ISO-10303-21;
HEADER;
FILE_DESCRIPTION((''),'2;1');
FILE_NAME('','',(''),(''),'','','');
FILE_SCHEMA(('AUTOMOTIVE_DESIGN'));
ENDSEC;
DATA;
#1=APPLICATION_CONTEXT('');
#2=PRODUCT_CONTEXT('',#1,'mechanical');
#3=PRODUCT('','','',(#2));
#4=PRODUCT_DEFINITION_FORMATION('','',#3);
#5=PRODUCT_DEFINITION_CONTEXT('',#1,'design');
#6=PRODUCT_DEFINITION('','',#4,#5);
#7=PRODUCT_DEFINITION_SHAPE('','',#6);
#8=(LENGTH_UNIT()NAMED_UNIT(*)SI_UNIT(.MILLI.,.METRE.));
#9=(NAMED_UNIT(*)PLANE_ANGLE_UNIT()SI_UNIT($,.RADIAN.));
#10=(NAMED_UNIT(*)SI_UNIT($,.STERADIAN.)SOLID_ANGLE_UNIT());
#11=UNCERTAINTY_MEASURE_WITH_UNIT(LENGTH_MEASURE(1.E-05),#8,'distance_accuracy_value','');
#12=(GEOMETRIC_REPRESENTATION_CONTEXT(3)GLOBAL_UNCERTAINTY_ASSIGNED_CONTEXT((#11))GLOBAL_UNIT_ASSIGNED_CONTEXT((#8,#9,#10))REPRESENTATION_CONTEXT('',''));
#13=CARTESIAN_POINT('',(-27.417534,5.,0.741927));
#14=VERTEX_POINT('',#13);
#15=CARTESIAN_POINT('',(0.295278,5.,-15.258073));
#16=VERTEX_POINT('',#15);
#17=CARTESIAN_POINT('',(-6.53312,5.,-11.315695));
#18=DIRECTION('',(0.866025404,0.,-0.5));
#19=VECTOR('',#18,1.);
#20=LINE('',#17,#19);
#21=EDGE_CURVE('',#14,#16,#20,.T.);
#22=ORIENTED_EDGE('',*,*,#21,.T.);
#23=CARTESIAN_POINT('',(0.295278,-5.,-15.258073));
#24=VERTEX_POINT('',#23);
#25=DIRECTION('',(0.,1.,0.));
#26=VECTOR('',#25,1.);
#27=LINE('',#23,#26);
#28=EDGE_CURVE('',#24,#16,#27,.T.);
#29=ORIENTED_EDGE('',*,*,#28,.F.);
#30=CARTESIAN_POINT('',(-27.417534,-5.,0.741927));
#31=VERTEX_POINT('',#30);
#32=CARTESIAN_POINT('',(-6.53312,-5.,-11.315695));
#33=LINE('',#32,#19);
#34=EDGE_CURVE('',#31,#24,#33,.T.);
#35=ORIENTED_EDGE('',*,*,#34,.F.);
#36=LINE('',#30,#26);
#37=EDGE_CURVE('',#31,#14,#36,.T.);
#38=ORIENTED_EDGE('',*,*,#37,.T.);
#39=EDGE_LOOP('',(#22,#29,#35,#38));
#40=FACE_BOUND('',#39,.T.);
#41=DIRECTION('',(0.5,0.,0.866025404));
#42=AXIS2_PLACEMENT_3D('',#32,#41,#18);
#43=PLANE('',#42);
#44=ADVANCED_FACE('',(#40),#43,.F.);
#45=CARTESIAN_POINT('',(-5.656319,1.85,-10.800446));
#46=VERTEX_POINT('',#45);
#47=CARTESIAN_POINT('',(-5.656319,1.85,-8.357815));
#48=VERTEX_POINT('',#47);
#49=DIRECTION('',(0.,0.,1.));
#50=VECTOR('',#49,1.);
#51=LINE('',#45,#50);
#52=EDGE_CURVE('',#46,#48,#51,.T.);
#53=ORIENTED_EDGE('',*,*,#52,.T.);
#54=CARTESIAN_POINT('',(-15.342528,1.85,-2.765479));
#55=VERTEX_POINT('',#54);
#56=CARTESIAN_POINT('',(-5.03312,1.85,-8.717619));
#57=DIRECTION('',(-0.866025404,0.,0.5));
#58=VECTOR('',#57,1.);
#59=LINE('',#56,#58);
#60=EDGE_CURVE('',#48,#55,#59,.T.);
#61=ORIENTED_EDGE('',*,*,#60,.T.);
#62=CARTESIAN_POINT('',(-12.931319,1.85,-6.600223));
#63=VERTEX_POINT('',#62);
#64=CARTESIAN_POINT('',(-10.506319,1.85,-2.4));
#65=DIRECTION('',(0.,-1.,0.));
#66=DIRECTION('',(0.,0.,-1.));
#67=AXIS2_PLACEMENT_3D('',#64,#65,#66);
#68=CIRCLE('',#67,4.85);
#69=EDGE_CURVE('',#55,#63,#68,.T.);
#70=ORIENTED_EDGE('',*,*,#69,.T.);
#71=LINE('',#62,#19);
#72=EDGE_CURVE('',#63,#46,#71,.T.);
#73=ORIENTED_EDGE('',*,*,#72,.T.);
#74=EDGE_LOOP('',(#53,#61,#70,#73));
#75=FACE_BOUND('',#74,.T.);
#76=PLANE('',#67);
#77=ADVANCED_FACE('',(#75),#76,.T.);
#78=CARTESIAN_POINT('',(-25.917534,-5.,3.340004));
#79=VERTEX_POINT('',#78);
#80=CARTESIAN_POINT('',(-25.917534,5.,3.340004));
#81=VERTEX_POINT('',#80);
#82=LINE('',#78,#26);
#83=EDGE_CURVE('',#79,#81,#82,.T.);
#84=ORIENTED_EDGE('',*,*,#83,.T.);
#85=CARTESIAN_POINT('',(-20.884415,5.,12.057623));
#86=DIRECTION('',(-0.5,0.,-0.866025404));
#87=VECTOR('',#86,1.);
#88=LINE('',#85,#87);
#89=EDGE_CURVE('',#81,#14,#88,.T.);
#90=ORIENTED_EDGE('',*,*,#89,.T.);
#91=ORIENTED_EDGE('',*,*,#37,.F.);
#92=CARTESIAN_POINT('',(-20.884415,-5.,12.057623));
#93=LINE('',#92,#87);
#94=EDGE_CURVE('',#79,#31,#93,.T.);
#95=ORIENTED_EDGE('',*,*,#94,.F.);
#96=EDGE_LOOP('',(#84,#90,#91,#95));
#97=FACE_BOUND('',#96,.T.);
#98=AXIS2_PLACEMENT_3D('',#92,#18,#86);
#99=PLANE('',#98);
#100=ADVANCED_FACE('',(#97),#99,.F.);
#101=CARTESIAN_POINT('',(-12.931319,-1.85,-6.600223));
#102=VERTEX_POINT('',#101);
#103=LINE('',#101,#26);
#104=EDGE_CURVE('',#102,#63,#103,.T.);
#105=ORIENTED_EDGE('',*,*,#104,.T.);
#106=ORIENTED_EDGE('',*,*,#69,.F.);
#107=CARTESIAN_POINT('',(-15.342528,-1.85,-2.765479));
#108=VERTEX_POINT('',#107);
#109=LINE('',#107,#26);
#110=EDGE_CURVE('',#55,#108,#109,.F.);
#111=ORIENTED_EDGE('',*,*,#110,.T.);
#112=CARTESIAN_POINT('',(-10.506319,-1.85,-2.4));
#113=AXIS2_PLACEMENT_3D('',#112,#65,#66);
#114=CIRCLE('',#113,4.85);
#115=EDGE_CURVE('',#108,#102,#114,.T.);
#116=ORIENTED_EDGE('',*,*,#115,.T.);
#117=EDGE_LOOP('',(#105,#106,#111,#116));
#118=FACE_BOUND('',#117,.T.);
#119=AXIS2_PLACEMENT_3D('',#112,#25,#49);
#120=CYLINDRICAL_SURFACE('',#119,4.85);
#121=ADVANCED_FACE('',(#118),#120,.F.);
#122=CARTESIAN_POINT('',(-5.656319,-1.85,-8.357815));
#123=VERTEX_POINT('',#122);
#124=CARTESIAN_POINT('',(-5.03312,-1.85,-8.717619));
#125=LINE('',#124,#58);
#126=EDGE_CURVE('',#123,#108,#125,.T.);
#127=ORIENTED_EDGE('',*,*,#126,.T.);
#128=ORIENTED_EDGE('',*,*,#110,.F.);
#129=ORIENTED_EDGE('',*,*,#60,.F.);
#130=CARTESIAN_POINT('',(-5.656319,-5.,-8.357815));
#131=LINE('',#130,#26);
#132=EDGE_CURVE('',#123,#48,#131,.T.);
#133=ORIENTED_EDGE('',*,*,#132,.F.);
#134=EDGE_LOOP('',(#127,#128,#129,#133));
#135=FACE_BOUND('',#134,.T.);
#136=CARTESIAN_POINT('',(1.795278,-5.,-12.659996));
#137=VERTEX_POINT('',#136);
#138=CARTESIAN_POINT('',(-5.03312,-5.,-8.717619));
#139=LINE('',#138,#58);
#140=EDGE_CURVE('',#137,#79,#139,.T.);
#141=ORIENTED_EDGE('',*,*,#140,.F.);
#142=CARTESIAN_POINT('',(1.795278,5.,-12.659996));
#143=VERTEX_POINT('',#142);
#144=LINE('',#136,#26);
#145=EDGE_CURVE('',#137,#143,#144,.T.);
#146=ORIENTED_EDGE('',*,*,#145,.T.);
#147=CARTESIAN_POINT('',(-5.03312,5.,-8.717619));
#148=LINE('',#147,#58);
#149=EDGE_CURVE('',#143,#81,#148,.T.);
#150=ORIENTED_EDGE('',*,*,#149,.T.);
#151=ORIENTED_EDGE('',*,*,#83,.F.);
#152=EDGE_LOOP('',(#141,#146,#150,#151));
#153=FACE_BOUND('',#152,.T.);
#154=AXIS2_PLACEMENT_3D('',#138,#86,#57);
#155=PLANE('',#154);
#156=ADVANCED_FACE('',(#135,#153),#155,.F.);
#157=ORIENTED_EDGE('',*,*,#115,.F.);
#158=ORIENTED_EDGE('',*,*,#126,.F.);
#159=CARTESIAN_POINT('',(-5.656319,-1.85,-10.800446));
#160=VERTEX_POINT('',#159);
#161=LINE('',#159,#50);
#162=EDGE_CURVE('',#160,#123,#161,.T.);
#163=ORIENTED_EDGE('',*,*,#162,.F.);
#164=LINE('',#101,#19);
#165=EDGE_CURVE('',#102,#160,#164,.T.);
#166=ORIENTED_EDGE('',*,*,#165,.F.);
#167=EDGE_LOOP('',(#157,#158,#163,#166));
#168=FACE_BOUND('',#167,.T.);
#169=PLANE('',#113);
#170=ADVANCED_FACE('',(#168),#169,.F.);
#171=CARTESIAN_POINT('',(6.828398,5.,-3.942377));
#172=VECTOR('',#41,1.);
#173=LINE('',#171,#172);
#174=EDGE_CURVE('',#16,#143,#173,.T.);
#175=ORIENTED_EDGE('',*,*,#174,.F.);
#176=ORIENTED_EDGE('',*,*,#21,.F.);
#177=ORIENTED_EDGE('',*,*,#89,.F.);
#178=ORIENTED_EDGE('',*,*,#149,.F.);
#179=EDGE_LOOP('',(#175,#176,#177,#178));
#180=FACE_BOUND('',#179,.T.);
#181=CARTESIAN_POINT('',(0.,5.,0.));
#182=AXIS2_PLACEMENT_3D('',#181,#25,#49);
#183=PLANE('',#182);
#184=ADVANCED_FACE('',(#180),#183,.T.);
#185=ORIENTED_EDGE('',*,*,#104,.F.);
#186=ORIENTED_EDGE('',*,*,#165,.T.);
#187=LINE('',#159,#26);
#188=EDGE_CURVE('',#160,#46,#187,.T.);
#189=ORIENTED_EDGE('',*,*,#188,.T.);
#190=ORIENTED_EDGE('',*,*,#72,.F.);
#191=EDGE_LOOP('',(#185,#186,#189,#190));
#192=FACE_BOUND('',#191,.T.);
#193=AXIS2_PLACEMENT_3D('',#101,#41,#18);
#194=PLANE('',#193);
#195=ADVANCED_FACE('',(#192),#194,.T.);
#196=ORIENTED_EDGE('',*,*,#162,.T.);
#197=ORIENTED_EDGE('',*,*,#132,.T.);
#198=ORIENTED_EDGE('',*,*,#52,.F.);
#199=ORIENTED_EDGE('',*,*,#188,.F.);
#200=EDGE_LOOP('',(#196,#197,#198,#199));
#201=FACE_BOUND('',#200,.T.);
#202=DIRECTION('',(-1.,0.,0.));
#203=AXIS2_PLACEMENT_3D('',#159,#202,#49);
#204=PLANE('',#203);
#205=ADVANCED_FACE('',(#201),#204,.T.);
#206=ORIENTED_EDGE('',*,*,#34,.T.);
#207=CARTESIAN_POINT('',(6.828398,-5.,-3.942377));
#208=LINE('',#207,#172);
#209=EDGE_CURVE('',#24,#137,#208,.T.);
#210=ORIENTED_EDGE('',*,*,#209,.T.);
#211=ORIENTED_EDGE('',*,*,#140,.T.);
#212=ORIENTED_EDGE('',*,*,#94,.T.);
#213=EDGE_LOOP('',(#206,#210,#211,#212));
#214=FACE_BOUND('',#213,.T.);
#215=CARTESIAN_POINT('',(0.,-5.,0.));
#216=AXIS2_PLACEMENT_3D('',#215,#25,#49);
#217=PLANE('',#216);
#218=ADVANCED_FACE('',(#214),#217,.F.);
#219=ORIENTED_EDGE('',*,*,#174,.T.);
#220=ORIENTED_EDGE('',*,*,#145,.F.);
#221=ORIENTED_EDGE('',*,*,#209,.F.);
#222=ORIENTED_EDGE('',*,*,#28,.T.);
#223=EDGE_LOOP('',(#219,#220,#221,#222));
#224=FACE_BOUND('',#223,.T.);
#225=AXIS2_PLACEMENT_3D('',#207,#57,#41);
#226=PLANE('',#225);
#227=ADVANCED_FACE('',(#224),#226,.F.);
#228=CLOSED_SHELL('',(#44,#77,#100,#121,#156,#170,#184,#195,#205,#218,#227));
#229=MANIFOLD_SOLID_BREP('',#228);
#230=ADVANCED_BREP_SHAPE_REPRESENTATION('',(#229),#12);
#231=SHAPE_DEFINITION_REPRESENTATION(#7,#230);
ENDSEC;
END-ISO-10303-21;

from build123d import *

# Parameters (mm, degrees)
EXTRUDE_1_DEPTH      = 5
EXTRUDE_1_DEPTH_BACK = 5
CUT_EXTRUDE_1_DEPTH  = 1.85


with BuildPart() as part:
    # 草圖2 → 填料-伸長1 (new, two sides: drawn at the far end of the back side and taken through both)
    with BuildSketch(Plane(origin=(0, 0, 0), x_dir=(1, 0, 0), z_dir=(0, 1, 0)).offset(-EXTRUDE_1_DEPTH_BACK)):
        Polygon((1.795278459, 12.659996299), (0.295278459, 15.25807251), (-27.417534462, -0.74192749), (-25.917534462, -3.340003701), align=None)
    extrude(amount=EXTRUDE_1_DEPTH + EXTRUDE_1_DEPTH_BACK)

    # 草圖2<7> → 除料-伸長1 (cut, symmetric)
    with BuildSketch(Plane(origin=(0, 0, 0), x_dir=(1, 0, 0), z_dir=(0, 1, 0))):
        with BuildLine():
            Line((-15.35631853, -0.706584455), (-15.35631853, 2.4))
            ThreePointArc((-15.35631853, 2.4), (-14.706541739, 4.825), (-12.93131853, 6.600223208))
            Line((-12.93131853, 6.600223208), (-5.65631853, 10.800446417))
            Line((-5.65631853, 10.800446417), (-5.65631853, 4.893713156))
            Line((-5.65631853, 4.893713156), (-15.35631853, -0.706584455))
        make_face()
    extrude(amount=CUT_EXTRUDE_1_DEPTH, both=True, mode=Mode.SUBTRACT)


solid = part.part
